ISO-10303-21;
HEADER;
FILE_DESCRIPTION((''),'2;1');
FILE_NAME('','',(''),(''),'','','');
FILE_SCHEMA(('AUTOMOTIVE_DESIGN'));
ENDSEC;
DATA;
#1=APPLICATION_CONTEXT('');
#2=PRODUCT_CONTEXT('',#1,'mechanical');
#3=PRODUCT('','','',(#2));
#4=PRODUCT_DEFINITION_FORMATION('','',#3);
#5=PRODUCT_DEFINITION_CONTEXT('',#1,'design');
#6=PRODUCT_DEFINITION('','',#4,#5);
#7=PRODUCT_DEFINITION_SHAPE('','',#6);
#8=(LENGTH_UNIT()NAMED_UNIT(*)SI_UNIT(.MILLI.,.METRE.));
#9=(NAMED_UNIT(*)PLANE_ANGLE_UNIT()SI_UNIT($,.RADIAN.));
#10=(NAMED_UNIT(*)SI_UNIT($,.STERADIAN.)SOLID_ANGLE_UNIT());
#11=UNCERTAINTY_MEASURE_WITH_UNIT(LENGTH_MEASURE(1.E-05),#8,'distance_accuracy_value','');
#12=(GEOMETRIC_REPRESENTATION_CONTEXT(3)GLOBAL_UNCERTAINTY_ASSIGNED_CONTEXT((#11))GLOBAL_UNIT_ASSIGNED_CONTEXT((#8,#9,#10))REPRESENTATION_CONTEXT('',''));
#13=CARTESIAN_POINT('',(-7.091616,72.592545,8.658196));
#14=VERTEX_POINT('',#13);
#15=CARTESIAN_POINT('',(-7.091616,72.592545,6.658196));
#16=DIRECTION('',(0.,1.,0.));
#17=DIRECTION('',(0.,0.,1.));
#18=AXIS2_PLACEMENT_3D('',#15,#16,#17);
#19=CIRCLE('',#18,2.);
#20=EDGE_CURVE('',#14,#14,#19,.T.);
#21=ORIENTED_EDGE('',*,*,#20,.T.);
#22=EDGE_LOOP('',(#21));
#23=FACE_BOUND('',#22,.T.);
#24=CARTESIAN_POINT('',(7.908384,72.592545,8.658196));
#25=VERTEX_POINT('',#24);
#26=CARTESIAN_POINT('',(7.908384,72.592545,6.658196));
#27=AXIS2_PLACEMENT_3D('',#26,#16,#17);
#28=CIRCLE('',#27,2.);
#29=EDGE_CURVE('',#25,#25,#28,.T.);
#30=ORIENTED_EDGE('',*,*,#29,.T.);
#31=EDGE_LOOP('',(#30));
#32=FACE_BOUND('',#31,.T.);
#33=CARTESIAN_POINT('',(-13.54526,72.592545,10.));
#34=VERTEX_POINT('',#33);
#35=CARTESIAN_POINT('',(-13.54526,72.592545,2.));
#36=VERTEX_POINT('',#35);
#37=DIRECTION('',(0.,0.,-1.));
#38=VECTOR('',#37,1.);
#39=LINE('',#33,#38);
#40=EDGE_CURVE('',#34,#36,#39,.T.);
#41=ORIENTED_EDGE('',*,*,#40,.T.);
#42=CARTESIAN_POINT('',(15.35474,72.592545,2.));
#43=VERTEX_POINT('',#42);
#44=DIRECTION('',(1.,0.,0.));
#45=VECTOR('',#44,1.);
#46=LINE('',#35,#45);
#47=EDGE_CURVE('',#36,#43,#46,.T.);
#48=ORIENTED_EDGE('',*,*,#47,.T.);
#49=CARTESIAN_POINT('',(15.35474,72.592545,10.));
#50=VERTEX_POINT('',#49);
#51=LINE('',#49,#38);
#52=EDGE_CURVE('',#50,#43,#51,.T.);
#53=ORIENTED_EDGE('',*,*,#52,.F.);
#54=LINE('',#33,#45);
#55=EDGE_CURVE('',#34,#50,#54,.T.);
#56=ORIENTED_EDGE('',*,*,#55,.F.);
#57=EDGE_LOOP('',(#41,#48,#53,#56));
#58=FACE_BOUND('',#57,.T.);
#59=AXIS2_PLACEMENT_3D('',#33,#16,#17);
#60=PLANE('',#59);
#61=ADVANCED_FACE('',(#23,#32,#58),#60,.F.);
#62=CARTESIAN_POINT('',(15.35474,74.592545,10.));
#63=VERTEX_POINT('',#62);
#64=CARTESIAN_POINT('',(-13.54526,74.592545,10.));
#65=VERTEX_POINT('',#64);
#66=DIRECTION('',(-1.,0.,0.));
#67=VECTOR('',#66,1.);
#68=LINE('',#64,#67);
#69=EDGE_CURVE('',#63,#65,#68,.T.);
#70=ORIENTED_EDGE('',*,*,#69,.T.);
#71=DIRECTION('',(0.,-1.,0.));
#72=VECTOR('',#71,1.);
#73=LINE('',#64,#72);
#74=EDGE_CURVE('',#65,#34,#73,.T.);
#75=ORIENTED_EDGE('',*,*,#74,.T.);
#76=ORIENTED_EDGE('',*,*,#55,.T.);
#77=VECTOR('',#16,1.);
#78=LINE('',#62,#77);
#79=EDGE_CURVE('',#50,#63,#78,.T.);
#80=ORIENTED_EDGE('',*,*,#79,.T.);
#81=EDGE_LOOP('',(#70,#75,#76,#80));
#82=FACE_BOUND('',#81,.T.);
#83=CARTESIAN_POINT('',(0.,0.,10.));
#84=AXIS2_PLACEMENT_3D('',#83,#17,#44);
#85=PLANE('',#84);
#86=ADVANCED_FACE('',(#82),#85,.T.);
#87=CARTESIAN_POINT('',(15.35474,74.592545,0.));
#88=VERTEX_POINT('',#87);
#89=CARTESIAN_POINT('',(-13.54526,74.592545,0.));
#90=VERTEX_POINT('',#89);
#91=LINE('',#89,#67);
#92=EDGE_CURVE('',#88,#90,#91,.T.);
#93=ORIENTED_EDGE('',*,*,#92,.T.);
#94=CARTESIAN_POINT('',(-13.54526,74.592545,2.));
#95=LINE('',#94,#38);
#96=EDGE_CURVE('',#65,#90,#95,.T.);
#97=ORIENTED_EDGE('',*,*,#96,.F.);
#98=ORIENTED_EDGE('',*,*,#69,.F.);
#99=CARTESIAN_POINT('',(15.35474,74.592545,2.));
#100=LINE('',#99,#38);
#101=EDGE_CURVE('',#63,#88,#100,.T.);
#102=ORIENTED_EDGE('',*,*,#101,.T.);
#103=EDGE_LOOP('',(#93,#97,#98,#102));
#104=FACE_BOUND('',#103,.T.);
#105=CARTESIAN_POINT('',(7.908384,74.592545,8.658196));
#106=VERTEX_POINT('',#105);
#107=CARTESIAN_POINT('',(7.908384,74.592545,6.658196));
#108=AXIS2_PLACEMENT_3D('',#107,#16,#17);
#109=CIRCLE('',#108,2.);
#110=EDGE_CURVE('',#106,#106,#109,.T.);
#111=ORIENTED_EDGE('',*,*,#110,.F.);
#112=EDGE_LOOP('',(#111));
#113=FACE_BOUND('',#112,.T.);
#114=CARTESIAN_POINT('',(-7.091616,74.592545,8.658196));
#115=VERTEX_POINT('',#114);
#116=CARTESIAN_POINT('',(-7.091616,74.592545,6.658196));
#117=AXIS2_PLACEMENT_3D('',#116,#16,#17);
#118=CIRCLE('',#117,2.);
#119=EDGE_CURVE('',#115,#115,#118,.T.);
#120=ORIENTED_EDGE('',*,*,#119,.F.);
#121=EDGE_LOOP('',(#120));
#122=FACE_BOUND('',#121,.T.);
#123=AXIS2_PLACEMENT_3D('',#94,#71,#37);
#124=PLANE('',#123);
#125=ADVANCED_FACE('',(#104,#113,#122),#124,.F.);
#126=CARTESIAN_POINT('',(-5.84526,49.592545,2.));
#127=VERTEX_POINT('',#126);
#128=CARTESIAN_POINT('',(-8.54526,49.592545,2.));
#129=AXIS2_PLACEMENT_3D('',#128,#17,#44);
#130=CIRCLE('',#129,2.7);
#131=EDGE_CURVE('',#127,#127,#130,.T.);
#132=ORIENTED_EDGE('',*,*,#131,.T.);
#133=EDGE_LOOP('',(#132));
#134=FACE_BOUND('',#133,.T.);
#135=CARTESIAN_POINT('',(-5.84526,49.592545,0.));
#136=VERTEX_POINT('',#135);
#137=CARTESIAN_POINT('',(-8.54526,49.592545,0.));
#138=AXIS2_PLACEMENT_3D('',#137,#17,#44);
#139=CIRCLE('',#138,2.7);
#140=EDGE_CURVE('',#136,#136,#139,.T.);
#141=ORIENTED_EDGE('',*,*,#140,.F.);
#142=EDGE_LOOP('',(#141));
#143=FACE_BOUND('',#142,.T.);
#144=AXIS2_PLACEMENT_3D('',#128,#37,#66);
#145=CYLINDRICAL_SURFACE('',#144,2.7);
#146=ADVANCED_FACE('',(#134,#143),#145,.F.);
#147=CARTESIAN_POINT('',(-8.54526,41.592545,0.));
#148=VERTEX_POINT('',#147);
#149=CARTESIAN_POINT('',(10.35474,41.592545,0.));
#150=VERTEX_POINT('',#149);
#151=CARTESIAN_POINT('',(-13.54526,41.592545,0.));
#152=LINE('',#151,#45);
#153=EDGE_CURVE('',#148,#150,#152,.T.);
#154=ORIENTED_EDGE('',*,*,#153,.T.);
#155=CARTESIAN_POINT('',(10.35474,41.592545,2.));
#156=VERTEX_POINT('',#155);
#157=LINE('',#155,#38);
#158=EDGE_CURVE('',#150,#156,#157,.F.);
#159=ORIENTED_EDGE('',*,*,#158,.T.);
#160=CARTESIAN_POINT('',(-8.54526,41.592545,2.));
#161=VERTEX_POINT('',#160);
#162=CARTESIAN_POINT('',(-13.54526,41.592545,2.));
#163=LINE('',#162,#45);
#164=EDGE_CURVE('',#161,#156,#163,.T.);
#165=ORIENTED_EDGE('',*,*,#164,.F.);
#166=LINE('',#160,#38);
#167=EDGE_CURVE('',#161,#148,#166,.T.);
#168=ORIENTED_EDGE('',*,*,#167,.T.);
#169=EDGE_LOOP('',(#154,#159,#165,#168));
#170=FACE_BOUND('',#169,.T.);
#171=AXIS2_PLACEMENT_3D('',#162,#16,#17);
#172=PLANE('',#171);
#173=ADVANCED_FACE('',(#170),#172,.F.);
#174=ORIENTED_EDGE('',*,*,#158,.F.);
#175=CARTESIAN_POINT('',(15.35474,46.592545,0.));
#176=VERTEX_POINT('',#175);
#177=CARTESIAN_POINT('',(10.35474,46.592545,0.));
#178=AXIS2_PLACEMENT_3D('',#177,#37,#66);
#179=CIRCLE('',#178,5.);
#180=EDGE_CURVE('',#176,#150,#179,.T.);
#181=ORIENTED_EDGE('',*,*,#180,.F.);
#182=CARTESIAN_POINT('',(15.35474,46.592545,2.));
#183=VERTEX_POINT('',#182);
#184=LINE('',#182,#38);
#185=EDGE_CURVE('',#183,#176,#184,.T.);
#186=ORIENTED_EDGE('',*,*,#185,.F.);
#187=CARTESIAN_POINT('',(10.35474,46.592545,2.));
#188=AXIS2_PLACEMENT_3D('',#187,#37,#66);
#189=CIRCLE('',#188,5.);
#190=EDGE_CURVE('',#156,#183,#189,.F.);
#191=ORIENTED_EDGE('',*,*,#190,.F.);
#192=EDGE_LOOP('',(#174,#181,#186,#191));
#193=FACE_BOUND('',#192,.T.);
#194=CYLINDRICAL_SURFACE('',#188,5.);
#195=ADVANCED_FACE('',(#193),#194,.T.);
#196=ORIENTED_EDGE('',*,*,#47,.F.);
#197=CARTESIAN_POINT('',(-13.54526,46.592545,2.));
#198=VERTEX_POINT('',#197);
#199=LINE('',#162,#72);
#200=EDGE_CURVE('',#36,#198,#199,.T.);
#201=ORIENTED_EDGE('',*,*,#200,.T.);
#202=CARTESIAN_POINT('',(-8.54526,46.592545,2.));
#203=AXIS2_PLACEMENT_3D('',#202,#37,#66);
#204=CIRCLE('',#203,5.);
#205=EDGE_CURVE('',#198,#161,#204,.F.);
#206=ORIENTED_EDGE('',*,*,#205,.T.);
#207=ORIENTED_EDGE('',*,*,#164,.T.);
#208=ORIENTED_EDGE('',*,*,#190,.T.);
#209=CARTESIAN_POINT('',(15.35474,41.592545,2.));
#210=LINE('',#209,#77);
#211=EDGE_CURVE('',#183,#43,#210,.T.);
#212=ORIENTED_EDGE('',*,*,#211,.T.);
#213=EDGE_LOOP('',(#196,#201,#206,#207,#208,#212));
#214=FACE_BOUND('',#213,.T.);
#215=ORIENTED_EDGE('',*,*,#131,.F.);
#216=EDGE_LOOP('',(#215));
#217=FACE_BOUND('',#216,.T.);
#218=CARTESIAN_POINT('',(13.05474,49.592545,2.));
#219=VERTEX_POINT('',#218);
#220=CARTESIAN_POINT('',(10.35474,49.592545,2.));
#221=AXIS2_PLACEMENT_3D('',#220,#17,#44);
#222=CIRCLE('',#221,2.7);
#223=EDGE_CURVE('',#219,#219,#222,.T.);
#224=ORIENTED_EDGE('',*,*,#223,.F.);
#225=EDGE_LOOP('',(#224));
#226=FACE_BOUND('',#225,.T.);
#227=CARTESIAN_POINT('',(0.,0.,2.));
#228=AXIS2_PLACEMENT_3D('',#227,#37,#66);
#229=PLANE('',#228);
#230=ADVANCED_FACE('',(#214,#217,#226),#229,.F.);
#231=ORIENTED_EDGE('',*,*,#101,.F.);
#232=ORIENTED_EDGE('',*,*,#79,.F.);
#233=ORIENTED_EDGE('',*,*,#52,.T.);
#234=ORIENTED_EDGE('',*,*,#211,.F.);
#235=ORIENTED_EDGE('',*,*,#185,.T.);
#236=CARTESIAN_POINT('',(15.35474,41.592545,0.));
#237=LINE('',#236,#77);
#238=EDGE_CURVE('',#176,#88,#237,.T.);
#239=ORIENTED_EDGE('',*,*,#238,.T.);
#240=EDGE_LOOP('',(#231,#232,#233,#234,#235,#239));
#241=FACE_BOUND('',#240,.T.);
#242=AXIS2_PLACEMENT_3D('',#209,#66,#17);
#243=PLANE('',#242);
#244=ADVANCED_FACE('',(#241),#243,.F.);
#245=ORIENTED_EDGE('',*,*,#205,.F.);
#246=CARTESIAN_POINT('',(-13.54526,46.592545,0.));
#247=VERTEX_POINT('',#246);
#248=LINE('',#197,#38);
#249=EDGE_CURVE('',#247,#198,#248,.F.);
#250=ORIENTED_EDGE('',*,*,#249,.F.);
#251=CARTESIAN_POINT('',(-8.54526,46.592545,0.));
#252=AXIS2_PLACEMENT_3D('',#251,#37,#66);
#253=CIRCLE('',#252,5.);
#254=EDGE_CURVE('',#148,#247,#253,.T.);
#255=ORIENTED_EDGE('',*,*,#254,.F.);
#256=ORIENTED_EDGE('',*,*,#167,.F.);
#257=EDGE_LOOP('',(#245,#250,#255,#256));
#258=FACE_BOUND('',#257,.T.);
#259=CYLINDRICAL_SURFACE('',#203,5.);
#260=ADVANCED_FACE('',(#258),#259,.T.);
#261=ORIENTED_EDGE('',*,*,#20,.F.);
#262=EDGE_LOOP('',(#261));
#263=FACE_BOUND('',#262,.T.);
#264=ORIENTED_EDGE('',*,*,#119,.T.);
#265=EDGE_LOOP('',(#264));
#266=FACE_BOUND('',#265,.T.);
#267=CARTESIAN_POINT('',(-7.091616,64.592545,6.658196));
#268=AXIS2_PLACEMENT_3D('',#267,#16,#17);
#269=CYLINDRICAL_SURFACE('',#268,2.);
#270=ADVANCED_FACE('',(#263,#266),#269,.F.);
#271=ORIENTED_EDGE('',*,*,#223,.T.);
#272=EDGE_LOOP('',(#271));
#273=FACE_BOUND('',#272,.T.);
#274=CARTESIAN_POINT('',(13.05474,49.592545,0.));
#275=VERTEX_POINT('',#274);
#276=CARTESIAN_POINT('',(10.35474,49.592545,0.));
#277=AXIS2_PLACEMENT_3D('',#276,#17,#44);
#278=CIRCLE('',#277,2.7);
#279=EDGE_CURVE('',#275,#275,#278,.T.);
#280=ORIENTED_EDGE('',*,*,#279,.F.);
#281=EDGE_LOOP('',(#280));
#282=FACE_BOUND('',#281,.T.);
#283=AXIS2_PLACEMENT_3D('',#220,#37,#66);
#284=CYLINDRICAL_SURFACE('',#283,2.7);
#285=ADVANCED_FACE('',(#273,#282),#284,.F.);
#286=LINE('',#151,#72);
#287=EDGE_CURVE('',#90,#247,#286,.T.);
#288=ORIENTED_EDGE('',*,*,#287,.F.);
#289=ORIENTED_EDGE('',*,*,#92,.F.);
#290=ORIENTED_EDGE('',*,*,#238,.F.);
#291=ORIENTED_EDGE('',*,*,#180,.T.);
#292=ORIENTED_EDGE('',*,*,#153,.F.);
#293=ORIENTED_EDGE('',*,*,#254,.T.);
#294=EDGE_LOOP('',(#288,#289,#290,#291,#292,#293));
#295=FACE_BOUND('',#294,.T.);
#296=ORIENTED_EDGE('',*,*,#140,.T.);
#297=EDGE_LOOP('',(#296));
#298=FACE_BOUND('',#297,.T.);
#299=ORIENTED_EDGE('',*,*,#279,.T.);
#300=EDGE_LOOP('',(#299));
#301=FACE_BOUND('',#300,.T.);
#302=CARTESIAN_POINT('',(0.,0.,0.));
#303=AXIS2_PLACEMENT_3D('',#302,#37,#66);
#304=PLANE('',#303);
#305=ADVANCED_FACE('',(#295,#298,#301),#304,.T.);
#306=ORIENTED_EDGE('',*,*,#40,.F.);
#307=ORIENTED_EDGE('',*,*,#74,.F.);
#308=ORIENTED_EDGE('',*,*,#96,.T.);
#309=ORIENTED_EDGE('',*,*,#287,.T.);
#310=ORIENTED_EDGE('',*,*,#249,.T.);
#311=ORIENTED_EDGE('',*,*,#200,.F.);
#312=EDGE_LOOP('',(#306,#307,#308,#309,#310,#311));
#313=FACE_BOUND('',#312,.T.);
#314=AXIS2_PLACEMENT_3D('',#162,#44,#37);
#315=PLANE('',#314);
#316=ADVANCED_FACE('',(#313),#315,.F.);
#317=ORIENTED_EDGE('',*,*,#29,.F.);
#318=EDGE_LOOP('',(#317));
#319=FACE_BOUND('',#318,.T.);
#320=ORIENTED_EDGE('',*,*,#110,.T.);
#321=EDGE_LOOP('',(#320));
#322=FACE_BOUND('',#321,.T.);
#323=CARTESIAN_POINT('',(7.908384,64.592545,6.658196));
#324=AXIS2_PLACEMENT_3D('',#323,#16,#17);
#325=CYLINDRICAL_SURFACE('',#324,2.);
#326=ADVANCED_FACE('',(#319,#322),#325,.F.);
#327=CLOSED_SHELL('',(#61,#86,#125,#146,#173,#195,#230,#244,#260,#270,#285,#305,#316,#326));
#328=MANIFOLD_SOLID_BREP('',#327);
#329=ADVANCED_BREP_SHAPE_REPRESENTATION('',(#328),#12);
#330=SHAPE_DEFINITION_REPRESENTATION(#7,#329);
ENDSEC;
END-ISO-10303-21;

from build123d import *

# Parameters (mm, degrees)
SKETCH1_W           = 28.9
SKETCH1_H           = 33
SKETCH1_R           = 2.7
BOSS_EXTRUDE1_DEPTH = 2
FILLET1_R           = 5
SKETCH3_W           = 28.9
SKETCH3_H           = 2
BOSS_EXTRUDE3_DEPTH = 8
SKETCH5_R           = 2
CUT_EXTRUDE2_DEPTH  = 10


with BuildPart() as part:
    # Sketch1 → Boss-Extrude1 (new body)
    with BuildSketch(Plane.XY):
        with Locations((0.904740234, 58.092544957)):
            Rectangle(SKETCH1_W, SKETCH1_H)
        with Locations((-8.545259766, 49.592544957)):
            Circle(SKETCH1_R, mode=Mode.SUBTRACT)
        with Locations((10.354740234, 49.592544957)):
            Circle(SKETCH1_R, mode=Mode.SUBTRACT)
    extrude(amount=BOSS_EXTRUDE1_DEPTH)

    # Fillet1
    fillet1_edges = [part.edges().sort_by_distance(p)[0] for p in [
        (15.354740234, 41.592544957, 1),
        (-13.545259766, 41.592544957, 1),
    ]]
    fillet(fillet1_edges, radius=FILLET1_R)

    # Sketch3 → Boss-Extrude3 (add)
    with BuildSketch(Plane.XY.offset(2)):
        with Locations((0.904740234, 73.592544957)):
            Rectangle(SKETCH3_W, SKETCH3_H)
    extrude(amount=BOSS_EXTRUDE3_DEPTH)

    # Sketch5 → Cut-Extrude2 (cut)
    with BuildSketch(Plane(origin=(0, 74.592544957, 0), x_dir=(1, 0, 0), z_dir=(0, 1, 0))):
        with Locations((-7.091615714, -6.658195947)):
            Circle(SKETCH5_R)
        with Locations((7.908384286, -6.658195947)):
            Circle(SKETCH5_R)
    extrude(amount=-CUT_EXTRUDE2_DEPTH, mode=Mode.SUBTRACT)


solid = part.part
